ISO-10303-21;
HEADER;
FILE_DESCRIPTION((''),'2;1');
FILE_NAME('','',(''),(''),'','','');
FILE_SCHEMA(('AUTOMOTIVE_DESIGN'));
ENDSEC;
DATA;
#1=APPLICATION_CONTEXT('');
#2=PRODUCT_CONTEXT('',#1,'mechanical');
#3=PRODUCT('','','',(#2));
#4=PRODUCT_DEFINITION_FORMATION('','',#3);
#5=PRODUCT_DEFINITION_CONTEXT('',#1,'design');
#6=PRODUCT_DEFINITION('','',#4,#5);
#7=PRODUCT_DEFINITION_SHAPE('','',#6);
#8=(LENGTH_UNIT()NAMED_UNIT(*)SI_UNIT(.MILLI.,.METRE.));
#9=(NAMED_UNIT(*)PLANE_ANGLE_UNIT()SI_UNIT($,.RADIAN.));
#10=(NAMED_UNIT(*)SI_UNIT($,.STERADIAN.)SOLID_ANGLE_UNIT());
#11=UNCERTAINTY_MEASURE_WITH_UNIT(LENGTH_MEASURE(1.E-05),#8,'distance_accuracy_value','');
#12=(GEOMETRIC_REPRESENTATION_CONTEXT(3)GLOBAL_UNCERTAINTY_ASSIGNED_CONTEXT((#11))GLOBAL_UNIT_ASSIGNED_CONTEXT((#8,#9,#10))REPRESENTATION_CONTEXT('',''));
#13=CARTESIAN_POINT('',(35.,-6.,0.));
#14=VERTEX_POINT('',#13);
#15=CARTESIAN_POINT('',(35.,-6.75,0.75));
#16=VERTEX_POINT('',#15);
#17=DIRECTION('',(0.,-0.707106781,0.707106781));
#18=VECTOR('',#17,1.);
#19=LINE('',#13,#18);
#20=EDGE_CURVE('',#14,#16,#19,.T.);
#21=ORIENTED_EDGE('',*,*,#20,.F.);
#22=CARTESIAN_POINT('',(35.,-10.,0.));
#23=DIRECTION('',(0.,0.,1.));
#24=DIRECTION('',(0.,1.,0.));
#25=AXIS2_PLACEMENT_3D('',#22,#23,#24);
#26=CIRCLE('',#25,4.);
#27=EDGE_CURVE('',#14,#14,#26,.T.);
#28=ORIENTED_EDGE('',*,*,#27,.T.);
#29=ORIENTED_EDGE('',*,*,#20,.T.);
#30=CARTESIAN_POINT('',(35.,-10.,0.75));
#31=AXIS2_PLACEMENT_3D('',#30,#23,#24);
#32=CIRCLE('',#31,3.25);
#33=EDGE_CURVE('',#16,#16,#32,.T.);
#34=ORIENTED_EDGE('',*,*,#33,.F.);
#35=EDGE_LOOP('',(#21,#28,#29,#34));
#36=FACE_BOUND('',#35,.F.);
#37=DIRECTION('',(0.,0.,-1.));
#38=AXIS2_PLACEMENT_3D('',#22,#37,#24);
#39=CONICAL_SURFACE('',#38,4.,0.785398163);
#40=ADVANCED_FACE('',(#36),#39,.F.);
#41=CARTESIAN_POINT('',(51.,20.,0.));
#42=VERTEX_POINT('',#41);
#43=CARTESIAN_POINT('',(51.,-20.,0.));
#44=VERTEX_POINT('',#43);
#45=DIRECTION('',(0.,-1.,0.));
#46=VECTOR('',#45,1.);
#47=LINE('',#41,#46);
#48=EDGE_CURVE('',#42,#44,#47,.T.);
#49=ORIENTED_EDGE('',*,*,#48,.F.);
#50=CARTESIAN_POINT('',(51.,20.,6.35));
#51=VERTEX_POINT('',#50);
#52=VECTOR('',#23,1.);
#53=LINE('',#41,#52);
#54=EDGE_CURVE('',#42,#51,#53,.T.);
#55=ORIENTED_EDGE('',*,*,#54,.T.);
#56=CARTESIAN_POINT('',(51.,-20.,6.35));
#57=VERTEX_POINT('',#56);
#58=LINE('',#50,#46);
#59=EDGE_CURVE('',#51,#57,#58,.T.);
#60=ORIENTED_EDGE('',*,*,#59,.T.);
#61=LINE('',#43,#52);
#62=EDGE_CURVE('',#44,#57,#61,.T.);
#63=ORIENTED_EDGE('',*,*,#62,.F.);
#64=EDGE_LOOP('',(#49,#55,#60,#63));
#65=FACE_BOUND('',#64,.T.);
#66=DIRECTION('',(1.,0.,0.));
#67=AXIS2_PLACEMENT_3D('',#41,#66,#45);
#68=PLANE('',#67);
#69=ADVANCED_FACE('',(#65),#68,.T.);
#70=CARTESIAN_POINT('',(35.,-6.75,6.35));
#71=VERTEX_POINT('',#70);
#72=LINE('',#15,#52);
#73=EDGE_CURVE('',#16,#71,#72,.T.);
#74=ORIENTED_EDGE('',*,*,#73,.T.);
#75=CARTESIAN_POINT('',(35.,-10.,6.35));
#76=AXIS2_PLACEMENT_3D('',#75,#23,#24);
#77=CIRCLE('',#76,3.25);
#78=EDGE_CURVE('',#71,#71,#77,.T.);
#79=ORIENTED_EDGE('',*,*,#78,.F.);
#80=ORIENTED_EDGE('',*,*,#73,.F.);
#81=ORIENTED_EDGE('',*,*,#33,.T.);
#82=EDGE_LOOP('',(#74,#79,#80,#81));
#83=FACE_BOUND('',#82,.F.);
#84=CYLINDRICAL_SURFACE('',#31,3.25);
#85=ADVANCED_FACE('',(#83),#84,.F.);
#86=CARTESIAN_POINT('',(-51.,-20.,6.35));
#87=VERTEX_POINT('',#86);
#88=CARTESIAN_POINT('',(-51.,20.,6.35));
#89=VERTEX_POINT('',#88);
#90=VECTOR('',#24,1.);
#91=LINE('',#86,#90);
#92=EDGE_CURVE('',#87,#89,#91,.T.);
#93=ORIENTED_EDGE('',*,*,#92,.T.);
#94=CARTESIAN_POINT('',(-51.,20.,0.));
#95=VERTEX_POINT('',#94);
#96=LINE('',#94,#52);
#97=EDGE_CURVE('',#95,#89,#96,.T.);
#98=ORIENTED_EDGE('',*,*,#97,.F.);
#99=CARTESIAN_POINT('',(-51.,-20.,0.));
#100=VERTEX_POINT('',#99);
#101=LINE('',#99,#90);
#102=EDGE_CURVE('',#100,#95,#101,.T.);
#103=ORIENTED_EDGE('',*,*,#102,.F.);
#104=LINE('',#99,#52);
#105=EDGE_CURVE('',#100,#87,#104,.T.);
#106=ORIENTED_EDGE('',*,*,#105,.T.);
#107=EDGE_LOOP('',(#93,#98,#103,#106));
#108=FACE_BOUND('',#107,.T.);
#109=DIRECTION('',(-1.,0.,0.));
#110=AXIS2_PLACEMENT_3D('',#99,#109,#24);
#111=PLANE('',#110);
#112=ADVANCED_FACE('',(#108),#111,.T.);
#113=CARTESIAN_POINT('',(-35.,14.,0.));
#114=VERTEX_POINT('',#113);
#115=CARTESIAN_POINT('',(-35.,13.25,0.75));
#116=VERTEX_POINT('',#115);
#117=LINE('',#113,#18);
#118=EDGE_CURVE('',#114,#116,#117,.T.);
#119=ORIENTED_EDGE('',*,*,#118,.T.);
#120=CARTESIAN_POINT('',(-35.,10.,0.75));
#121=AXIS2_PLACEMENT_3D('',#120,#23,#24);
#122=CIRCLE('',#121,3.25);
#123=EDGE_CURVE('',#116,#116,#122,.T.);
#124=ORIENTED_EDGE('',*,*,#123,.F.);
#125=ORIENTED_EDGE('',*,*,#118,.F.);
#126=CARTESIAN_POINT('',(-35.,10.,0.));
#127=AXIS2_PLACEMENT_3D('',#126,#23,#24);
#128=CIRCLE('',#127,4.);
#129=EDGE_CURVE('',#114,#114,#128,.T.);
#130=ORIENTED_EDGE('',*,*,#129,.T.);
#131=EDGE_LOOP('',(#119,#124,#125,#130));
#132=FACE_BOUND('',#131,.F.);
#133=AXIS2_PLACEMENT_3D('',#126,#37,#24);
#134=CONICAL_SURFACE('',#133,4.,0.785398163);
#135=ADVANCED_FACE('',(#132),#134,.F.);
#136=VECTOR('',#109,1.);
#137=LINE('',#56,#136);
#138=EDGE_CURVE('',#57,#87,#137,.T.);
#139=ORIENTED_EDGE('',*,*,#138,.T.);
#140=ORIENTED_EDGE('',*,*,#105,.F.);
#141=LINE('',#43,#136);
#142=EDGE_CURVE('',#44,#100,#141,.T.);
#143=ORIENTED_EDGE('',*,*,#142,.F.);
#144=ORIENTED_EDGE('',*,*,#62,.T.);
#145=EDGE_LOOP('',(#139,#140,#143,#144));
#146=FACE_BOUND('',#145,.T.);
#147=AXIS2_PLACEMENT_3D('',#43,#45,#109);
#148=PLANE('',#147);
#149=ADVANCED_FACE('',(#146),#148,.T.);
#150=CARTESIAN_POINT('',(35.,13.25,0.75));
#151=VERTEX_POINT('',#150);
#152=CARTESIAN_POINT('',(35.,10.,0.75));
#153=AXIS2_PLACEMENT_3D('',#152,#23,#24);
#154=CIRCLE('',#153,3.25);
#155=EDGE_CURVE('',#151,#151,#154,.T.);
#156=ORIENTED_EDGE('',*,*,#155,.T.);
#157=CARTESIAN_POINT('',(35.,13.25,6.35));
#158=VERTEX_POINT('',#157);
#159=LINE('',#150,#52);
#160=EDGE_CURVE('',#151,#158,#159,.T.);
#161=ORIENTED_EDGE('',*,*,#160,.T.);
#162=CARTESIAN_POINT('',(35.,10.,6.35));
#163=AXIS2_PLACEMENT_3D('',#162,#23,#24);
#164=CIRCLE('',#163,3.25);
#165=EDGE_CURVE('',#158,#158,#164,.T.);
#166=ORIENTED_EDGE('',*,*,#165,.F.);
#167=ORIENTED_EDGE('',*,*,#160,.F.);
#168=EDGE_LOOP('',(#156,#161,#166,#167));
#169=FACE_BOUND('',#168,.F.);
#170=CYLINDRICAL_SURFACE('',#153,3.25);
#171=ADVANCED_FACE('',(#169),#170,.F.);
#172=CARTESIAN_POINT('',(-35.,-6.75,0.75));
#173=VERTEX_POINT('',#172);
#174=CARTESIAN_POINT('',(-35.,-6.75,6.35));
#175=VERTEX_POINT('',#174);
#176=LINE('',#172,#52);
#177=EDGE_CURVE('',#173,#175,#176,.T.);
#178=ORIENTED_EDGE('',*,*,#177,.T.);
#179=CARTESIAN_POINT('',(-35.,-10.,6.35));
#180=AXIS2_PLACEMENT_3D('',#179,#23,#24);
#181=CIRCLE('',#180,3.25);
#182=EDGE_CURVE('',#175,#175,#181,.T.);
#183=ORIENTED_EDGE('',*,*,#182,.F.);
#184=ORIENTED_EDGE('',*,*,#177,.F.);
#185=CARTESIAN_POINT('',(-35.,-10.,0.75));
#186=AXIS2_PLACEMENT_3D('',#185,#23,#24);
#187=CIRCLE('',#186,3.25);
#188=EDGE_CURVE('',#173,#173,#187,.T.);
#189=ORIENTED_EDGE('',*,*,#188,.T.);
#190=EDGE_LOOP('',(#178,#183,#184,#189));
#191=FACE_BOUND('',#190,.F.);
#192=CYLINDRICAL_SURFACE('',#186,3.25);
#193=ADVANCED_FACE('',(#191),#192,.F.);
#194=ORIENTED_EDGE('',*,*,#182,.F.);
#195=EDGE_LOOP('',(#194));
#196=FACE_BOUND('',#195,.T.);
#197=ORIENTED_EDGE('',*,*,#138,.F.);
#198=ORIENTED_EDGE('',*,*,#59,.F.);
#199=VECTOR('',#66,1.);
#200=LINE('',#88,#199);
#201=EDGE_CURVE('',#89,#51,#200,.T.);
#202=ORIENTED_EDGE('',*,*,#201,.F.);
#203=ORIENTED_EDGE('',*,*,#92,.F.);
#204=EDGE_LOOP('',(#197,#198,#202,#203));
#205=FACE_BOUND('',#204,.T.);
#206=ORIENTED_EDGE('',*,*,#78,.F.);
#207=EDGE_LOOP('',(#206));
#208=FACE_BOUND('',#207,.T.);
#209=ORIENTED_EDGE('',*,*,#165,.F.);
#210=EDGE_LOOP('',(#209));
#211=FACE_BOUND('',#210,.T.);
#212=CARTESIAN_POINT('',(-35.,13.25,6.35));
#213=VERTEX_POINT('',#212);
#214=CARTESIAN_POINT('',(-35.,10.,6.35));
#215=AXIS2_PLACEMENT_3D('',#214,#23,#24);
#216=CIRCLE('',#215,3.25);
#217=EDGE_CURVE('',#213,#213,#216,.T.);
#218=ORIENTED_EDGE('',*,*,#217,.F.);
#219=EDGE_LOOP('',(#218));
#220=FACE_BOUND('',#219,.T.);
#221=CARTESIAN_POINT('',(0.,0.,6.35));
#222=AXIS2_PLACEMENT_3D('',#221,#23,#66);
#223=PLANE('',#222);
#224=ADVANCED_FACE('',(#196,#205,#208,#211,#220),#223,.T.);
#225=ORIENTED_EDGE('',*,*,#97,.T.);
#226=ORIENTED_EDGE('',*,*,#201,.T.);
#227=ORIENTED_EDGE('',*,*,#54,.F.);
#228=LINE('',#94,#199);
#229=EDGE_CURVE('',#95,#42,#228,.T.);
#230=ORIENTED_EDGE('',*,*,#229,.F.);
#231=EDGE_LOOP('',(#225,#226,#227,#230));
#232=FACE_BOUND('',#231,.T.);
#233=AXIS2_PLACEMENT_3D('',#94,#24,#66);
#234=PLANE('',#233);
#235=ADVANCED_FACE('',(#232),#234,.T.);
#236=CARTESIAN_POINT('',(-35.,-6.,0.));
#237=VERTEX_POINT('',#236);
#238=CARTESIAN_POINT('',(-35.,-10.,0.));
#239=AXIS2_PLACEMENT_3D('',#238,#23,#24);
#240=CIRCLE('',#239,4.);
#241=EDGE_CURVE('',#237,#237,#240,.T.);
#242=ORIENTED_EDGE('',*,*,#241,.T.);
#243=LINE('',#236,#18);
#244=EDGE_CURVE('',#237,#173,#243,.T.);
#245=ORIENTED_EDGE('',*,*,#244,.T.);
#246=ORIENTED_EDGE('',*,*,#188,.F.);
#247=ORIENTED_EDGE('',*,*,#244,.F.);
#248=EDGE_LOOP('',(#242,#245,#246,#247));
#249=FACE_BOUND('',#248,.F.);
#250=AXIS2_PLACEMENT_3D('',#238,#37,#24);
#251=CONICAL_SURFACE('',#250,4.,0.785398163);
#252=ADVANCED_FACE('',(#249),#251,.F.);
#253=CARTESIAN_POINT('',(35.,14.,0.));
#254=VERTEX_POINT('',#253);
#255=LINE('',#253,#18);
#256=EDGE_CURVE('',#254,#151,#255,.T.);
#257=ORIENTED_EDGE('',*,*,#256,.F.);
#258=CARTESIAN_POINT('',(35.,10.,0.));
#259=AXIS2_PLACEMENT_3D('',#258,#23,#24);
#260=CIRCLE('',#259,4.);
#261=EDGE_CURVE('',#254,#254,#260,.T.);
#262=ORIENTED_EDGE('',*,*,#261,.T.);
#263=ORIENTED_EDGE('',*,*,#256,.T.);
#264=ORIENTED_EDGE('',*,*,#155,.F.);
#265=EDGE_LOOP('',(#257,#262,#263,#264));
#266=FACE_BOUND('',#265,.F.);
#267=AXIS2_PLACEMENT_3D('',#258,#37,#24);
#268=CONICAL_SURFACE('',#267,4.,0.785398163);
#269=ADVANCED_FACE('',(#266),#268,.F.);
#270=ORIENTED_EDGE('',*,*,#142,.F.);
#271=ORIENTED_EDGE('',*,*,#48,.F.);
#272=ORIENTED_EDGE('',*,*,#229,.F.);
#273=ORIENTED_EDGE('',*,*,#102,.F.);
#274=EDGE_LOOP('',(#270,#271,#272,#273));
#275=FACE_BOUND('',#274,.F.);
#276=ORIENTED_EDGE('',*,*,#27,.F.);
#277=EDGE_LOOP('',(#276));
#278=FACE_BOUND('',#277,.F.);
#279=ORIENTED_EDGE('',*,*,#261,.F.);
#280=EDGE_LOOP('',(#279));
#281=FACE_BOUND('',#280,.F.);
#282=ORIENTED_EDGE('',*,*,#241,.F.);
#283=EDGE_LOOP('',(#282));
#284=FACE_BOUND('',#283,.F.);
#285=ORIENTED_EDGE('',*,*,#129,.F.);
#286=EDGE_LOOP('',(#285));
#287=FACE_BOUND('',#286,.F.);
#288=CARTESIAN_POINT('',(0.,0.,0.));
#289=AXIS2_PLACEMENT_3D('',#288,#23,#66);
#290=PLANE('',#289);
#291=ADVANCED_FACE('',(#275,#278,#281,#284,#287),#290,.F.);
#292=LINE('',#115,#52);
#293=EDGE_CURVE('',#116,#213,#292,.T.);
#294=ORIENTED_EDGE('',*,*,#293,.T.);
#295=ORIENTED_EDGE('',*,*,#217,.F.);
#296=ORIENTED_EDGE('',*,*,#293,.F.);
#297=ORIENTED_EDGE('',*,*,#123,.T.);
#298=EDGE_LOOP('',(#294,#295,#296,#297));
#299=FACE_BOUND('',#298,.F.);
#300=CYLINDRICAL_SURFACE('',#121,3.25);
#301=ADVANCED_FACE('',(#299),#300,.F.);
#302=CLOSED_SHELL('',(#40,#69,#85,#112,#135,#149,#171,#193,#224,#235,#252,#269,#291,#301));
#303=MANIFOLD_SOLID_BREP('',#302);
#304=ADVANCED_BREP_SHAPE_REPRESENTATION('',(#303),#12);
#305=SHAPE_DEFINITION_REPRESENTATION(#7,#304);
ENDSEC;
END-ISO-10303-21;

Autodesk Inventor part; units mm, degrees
ref_plane "YZ Plane" through (0, 0, 0) normal (1, 0, 0) x (0, 1, 0)
ref_plane "XZ Plane" through (0, 0, 0) normal (0, 1, 0) x (-1, 0, 0)
ref_plane "XY Plane" through (0, 0, 0) normal (0, 0, 1) x (1, 0, 0)
sketch "Sketch1" plane through (0, 0, 0) normal (0, 0, 1) x (1, 0, 0)
  line L0 (-51, 20) -> (51, 20)
  line L1 (51, 20) -> (51, -20)
  line L2 (51, -20) -> (-51, -20)
  line L3 (-51, -20) -> (-51, 20)
  point P0 (0, 0)
  dimension "d0" = 102
  dimension "d1" = 51
  dimension "d2" = 40
  dimension "d3" = 20
extrude "Extrusion1" add sketch "Sketch1" along normal blind 6.35
sketch "Sketch3" plane through (0, 0, 0) normal (0, 0, -1) x (-1, 0, 0)
  circle A0 centre (-35, 10) radius 3.25
  circle A1 centre (-35, -10) radius 3.25
  circle A2 centre (35, -10) radius 3.25
  circle A3 centre (35, 10) radius 3.25
  line L0 (51, 20) -> (-51, 20) projected
  line L1 (-51, -20) -> (51, -20) projected
  line L2 (-51, 20) -> (-51, -20) projected
  line L3 (51, -20) -> (51, 20) projected
  point P0 (0, 0)
  dimension "d27" = 6.5
  dimension "d28" = 6.5
  dimension "d29" = 6.5
  dimension "d30" = 6.5
  dimension "d31" = 10
  dimension "d32" = 10
  dimension "d33" = 16
  dimension "d34" = 16
  dimension "d35" = 10
  dimension "d36" = 16
  dimension "d37" = 16
  dimension "d38" = 10
hole "Hole2" at (35, -10, 0) at (35, 10, 0) at (-35, 10, 0) at (-35, -10, 0) direction (0, 0, 1) diameter 6.5 end through all countersink diameter 8 countersink angle 90
properties part number "SPINDLE PLATE"
